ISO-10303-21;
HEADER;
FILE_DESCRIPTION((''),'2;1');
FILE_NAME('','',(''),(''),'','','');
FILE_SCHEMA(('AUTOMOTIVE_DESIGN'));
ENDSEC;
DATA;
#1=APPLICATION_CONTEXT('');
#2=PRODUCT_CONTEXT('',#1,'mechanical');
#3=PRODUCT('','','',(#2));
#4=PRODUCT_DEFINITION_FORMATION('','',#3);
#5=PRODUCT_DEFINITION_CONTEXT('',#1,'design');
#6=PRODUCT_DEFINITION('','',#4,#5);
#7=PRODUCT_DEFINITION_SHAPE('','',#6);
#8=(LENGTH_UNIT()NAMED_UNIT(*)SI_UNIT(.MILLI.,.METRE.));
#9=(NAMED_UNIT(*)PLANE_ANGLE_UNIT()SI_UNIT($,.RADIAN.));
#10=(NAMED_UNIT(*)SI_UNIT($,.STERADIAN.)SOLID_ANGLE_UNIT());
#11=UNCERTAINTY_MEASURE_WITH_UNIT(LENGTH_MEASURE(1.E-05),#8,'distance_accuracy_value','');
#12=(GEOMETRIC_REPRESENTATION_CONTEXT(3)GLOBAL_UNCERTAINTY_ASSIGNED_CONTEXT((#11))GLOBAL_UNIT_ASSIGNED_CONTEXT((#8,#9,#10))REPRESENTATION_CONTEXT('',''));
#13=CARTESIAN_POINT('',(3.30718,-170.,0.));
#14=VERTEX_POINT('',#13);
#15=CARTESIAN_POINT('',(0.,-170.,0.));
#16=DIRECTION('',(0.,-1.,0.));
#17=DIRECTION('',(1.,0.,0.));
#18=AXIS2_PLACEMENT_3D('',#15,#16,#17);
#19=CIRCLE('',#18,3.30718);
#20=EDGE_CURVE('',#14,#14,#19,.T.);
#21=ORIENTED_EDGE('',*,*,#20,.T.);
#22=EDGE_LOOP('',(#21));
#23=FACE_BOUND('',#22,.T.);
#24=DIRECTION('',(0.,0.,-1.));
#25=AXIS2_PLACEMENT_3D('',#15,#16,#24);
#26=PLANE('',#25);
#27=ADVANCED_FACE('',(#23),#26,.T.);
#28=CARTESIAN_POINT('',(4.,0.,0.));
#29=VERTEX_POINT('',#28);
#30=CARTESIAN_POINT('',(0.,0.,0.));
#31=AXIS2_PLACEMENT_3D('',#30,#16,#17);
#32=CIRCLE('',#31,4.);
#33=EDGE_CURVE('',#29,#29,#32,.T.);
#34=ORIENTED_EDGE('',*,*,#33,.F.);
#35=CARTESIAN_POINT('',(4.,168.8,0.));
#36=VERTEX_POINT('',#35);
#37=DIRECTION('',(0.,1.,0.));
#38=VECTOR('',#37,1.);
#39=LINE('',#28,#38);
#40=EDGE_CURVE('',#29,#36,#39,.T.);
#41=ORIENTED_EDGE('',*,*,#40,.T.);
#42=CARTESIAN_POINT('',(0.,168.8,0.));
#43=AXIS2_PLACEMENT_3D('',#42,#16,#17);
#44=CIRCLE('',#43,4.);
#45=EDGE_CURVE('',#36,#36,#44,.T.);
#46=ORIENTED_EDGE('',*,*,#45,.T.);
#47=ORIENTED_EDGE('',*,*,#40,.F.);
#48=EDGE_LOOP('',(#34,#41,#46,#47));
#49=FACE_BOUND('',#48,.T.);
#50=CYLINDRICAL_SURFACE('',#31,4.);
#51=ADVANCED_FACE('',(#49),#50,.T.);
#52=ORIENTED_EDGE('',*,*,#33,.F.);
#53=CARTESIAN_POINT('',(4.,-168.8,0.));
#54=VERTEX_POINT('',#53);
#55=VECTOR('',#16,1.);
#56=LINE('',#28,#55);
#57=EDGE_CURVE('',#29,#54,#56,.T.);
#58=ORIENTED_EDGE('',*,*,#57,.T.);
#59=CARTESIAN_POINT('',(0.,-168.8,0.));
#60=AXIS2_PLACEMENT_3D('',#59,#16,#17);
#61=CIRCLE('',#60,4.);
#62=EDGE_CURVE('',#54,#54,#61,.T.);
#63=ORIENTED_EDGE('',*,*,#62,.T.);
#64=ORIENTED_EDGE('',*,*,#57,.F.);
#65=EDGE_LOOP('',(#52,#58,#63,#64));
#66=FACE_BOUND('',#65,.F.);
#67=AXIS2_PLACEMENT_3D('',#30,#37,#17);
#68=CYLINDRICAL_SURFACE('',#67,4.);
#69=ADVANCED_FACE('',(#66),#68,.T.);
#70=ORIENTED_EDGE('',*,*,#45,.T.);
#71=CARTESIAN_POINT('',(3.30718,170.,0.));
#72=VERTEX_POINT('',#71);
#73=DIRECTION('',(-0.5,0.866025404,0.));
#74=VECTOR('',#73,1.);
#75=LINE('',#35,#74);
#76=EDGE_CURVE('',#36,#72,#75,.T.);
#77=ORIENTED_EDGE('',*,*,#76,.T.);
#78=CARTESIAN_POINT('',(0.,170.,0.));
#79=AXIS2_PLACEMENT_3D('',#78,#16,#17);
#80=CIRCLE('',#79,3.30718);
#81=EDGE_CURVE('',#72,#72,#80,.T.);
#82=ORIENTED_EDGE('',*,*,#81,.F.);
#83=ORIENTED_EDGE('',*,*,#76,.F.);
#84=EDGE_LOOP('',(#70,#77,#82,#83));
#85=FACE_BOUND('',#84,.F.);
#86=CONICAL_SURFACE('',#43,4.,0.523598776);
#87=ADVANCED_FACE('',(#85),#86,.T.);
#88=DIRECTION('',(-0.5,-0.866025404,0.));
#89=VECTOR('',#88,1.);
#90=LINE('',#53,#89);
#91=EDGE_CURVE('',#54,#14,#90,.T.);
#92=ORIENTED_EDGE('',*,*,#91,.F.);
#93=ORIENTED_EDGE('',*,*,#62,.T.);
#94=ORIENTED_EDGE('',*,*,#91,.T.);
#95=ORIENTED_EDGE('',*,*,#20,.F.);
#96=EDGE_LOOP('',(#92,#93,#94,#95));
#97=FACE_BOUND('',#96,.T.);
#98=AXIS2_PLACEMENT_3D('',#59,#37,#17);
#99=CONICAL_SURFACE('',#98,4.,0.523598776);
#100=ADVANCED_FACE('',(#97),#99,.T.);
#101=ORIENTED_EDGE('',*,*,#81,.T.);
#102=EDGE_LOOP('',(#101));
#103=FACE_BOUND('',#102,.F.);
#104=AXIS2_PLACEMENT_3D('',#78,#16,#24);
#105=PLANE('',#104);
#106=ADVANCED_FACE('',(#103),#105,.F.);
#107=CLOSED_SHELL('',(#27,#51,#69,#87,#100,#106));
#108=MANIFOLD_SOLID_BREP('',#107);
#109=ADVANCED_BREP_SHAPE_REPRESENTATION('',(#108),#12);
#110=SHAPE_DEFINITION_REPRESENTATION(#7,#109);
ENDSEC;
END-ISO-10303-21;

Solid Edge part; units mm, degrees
sketch "Sketch1" plane through (0, 0, 0) normal (0, -1, 0) x (1, 0, 0)
  circle A0 centre (0, 0) radius 4
  dimension "D1" = 8
extrude "Protrusion1" add sketch "Sketch1" along normal mid plane 340
chamfer "Chamfer_1" distance 1.2 angle 30 2 edges at (-4, -170, 0) (-4, 170, 0) measured on face at (2.2136, -139.9667, 3.3317) measured on face at (2.2136, 139.9667, 3.3317)
properties material "Stainless steel"
